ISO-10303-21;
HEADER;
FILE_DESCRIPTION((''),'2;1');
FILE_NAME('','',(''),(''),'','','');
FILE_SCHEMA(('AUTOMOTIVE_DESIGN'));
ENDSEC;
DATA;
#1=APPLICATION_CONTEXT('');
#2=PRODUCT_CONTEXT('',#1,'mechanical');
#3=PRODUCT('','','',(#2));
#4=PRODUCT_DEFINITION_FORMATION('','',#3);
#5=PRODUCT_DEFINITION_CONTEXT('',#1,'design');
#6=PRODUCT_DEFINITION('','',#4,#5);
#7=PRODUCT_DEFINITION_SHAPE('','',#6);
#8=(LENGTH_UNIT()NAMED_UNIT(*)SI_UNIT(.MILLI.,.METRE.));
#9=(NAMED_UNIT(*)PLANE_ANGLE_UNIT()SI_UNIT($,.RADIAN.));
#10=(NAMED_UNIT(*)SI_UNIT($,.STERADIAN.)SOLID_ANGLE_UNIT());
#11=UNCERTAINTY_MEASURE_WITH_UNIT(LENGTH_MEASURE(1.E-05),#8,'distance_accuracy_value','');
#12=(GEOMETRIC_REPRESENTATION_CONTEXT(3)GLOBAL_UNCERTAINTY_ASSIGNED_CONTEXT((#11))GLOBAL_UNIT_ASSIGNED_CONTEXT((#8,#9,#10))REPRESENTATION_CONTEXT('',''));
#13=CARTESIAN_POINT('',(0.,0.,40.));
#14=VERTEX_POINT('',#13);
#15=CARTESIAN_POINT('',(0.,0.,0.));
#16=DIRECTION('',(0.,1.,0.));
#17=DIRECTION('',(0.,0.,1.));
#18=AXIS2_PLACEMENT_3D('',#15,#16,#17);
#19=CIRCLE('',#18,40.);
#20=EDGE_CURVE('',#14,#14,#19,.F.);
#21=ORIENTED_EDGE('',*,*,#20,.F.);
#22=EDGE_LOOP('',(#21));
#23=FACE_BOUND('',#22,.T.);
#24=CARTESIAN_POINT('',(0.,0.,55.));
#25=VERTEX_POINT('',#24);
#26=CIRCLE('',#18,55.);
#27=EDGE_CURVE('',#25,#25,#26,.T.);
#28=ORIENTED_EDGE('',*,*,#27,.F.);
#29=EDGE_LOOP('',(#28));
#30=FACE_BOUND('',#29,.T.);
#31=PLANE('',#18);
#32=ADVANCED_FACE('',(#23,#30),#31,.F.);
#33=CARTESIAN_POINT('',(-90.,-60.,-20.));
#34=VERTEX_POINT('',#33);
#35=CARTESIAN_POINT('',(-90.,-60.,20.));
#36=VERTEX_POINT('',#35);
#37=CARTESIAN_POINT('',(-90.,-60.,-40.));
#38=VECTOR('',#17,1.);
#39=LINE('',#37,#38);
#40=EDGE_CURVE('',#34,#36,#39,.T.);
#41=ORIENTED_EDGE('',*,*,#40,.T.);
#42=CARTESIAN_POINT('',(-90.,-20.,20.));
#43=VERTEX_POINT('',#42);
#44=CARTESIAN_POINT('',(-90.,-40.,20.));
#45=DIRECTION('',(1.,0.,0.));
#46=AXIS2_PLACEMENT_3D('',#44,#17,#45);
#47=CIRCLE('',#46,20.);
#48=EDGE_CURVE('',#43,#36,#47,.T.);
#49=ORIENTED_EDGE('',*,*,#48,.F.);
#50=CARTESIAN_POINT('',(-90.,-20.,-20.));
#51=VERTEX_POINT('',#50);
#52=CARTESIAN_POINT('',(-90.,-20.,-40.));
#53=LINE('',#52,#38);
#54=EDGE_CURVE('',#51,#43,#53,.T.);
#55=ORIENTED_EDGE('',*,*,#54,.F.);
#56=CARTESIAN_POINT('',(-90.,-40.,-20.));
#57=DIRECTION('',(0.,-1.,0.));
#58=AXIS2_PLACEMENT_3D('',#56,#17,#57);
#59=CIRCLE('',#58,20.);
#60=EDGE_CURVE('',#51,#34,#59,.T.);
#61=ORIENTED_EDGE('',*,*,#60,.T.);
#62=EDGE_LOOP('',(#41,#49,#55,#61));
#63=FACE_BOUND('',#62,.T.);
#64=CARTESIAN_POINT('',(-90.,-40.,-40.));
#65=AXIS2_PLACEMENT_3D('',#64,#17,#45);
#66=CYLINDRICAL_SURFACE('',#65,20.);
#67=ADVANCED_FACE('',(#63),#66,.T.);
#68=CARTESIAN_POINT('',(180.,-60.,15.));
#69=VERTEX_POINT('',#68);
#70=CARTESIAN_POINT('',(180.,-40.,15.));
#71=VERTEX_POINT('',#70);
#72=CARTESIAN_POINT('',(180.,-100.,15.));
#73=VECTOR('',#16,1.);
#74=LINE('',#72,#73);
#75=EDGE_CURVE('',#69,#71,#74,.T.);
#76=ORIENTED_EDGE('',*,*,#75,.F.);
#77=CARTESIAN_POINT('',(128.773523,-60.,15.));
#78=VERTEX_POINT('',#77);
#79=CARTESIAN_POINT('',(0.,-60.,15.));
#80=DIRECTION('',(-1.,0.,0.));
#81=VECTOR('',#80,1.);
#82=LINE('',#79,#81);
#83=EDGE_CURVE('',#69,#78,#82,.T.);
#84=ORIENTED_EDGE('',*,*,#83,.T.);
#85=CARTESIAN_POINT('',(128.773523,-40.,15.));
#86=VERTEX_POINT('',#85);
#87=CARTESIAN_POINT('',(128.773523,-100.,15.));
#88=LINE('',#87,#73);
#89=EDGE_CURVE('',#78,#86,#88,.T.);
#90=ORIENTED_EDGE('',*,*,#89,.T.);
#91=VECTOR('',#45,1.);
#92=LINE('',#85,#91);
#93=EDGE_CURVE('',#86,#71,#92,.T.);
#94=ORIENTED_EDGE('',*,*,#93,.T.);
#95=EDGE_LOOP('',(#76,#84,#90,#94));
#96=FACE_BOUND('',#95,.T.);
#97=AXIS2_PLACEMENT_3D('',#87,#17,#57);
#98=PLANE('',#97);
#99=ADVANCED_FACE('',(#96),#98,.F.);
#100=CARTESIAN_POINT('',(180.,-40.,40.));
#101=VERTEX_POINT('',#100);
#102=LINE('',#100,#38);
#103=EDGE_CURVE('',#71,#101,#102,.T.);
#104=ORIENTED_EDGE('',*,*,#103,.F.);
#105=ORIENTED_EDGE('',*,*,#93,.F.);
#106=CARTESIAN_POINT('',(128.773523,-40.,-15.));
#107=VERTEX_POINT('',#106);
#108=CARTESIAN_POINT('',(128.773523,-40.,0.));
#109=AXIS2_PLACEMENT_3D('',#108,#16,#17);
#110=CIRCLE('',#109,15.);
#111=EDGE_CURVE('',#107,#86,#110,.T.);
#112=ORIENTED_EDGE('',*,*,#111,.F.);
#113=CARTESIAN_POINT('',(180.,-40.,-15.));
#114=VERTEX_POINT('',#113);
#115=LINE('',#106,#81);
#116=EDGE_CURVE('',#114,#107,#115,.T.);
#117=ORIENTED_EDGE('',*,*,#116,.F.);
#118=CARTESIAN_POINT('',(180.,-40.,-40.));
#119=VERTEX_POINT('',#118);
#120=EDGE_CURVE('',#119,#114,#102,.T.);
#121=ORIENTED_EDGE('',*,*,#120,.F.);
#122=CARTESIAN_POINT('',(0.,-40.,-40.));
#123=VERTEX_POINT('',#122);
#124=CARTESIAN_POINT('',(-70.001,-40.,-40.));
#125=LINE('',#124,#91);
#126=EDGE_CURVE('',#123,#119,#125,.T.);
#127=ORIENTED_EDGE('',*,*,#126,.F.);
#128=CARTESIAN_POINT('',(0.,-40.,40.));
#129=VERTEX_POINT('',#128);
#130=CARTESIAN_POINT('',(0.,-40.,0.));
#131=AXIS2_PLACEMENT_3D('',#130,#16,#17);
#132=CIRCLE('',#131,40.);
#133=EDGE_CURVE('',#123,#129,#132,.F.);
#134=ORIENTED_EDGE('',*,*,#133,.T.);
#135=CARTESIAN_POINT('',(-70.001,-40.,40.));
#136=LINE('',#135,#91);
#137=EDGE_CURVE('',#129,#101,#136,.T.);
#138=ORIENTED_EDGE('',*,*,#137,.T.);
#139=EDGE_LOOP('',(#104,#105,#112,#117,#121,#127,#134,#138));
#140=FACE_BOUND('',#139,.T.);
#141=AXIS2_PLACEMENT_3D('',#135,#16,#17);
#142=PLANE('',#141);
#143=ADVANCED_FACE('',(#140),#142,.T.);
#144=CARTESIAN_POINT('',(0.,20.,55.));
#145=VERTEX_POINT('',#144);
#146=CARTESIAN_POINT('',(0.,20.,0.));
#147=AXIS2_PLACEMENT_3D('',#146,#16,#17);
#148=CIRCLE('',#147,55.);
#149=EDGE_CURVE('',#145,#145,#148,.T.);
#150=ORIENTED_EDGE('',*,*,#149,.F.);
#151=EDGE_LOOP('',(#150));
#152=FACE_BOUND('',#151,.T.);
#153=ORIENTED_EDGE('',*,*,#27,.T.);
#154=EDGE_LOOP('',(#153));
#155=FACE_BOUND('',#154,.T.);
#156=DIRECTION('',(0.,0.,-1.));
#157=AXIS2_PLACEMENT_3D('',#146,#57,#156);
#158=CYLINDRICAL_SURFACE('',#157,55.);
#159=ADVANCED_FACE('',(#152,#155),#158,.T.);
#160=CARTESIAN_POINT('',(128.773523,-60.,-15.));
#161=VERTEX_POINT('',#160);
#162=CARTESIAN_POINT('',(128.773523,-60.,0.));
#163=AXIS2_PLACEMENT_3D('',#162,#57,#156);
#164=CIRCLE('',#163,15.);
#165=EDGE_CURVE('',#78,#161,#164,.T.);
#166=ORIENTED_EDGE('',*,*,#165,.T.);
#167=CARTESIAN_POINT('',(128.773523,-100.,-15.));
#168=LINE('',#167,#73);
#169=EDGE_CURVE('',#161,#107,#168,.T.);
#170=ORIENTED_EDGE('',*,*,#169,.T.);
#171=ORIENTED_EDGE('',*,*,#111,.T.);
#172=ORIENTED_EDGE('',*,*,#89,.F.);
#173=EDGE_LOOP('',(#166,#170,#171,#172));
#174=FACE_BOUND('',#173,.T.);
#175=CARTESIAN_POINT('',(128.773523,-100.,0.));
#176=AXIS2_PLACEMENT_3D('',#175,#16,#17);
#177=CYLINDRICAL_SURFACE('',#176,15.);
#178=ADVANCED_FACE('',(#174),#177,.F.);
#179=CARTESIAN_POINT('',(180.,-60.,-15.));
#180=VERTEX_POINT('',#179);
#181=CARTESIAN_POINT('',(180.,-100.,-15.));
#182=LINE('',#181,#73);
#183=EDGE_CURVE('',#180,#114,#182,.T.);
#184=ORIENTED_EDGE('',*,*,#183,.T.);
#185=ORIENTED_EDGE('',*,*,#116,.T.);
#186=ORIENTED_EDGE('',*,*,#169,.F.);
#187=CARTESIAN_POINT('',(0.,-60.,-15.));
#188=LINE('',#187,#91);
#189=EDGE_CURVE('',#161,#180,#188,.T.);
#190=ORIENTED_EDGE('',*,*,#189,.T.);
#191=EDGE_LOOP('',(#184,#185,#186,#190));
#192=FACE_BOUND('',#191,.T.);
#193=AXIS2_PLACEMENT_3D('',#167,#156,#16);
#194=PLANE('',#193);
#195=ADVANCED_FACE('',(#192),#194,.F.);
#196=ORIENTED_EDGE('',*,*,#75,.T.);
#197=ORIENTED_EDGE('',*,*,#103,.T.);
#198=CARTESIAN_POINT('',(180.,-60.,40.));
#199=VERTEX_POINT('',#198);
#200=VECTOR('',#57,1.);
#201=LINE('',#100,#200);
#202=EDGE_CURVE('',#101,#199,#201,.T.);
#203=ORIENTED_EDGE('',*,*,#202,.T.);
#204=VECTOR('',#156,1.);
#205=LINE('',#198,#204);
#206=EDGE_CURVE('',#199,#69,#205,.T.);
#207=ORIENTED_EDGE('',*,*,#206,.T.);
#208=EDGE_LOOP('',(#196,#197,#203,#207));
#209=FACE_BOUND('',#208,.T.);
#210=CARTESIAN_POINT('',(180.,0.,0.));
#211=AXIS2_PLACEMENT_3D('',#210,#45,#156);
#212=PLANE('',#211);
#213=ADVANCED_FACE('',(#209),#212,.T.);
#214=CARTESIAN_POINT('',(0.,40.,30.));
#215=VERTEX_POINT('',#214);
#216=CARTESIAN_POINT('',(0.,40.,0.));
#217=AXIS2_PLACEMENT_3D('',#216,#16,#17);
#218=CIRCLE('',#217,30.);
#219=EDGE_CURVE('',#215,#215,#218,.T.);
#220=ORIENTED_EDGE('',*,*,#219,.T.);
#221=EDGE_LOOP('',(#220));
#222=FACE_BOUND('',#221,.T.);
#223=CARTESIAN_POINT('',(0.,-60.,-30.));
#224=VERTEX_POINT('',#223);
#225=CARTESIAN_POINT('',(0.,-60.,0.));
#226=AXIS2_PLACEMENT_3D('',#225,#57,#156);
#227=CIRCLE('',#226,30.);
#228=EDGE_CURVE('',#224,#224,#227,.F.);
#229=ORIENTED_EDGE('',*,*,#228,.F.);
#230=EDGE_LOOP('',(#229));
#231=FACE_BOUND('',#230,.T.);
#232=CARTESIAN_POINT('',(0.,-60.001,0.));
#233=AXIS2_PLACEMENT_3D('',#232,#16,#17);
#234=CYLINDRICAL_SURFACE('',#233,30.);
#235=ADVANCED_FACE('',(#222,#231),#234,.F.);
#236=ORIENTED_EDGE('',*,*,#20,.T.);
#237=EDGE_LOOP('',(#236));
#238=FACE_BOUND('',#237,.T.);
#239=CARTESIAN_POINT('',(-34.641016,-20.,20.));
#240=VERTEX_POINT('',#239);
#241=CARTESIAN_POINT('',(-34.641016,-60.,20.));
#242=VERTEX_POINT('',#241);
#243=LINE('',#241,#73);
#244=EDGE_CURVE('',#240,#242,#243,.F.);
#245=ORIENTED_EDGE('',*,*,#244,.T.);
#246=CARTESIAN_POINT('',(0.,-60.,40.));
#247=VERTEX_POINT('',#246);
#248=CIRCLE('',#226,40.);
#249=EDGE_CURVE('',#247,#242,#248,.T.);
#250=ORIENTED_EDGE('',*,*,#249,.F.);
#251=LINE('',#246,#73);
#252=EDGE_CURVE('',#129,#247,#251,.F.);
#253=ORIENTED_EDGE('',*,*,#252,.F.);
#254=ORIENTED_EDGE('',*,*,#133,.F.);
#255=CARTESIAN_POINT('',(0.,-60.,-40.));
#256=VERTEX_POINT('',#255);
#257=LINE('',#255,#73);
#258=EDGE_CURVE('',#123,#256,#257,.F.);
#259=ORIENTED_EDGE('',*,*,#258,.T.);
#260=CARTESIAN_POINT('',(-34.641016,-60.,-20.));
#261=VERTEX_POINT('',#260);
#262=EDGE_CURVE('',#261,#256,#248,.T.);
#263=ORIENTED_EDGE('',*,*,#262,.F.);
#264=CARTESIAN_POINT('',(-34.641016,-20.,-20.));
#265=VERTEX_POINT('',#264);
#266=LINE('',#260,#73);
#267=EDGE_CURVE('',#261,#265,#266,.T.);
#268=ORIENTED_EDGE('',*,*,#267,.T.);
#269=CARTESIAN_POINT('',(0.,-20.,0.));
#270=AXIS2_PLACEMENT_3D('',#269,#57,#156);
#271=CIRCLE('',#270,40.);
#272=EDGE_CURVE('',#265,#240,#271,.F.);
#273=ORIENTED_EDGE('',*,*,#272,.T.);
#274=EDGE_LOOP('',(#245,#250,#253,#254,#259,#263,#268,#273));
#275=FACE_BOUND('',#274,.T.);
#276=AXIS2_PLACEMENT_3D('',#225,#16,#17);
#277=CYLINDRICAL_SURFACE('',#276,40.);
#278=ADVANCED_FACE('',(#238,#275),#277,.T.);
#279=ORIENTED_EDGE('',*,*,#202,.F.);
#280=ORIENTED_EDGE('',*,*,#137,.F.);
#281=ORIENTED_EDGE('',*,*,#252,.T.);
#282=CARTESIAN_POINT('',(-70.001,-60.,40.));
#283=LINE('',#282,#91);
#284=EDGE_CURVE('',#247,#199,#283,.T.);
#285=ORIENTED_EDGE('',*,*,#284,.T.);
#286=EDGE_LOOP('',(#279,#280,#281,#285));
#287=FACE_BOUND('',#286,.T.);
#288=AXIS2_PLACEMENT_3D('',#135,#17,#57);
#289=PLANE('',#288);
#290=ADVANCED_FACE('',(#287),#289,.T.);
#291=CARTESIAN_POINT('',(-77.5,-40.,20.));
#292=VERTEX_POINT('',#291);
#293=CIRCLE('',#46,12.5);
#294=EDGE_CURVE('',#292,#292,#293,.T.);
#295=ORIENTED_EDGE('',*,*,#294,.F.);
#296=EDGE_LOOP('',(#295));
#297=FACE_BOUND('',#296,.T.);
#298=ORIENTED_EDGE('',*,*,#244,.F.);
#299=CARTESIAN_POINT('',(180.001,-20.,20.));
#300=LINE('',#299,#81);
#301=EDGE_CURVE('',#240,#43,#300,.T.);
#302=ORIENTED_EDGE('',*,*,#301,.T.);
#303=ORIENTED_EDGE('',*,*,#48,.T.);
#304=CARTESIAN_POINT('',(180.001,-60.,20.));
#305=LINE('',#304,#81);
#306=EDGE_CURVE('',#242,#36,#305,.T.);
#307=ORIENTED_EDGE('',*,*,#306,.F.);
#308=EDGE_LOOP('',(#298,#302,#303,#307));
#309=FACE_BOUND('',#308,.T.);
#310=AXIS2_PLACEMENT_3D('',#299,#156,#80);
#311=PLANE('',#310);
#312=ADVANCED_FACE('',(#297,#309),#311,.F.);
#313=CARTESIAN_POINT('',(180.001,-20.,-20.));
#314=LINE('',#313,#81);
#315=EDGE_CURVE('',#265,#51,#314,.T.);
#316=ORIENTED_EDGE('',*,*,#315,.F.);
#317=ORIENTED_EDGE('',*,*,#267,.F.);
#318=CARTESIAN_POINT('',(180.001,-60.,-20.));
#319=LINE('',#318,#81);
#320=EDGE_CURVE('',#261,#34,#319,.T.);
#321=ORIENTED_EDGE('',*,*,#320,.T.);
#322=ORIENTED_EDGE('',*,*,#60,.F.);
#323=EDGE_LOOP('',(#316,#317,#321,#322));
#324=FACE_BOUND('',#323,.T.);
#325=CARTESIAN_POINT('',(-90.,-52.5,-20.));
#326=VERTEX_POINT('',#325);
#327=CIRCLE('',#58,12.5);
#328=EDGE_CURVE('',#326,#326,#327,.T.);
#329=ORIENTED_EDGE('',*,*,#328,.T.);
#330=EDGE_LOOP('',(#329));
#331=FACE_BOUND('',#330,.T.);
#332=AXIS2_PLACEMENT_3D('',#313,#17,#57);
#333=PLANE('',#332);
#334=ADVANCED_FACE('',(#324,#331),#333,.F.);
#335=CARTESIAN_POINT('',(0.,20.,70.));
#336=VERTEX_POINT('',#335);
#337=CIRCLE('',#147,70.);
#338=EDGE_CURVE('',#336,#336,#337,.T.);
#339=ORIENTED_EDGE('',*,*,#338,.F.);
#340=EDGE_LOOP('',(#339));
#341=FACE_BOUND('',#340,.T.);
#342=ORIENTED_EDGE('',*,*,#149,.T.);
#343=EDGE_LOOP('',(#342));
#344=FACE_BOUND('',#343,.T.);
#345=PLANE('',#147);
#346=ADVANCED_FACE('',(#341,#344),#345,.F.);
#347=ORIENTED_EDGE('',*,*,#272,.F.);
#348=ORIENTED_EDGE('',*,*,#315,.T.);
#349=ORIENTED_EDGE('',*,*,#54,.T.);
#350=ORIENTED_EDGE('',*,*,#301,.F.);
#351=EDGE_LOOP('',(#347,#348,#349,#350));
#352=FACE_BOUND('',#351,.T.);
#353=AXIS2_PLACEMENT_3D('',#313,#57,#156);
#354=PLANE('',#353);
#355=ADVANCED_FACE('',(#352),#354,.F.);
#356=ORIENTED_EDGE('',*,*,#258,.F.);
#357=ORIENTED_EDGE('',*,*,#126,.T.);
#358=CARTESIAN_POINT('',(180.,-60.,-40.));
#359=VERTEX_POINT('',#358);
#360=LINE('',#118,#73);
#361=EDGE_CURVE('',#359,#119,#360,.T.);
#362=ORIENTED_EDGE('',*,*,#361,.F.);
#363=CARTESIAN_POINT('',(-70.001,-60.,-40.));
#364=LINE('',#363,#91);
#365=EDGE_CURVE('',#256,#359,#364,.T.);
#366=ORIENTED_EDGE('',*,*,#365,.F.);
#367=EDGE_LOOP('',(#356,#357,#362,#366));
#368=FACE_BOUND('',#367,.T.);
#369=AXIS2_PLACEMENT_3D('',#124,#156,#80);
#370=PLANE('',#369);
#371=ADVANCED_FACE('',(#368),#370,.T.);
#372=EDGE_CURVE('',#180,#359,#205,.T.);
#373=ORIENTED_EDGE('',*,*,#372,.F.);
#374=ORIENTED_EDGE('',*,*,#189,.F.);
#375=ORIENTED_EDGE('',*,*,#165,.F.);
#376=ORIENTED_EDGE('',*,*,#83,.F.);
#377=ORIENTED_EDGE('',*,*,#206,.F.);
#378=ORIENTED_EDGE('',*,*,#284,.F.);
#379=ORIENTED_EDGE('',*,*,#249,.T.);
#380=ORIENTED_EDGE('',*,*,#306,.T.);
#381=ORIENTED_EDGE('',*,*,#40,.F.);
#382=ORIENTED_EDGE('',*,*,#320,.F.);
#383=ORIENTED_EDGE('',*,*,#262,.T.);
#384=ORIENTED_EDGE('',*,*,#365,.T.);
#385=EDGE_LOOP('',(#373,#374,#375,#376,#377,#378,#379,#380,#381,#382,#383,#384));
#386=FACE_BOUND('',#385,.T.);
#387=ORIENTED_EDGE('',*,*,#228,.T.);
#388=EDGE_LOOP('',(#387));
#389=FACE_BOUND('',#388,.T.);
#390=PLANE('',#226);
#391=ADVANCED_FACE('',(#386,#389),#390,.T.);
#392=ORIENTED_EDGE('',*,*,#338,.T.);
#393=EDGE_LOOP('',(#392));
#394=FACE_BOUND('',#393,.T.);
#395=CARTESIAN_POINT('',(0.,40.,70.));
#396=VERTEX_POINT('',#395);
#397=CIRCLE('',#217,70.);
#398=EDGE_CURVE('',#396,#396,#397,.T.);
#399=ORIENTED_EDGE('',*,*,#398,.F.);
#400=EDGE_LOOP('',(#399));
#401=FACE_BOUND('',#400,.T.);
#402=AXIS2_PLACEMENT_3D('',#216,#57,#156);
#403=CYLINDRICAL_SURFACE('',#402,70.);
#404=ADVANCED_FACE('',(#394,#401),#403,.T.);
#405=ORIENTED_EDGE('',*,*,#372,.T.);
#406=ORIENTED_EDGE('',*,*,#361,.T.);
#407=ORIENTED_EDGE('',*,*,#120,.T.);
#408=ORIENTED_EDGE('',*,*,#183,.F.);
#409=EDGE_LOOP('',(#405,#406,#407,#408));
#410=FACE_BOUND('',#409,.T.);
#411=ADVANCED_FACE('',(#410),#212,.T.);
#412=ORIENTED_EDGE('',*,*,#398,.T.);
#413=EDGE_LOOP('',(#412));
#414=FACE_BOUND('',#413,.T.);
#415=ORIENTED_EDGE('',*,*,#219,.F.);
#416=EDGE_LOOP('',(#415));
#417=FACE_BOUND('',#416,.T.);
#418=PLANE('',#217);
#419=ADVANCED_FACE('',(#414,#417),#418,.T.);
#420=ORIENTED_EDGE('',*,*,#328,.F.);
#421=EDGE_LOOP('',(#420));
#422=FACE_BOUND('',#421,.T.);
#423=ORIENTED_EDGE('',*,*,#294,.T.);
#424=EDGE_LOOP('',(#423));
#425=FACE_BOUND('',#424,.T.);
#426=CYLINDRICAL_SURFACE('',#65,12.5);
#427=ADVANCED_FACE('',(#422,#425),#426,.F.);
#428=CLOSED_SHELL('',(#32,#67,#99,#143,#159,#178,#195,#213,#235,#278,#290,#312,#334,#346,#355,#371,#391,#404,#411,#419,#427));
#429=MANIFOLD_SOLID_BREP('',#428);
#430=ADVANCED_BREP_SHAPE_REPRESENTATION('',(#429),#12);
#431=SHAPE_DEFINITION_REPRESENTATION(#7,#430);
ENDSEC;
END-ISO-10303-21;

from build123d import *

# Parameters (mm, degrees)
SKETCH1_R           = 55
BOSS_EXTRUDE1_DEPTH = 20
SKETCH2_R           = 70
BOSS_EXTRUDE2_DEPTH = 20
SKETCH3_R           = 40
BOSS_EXTRUDE3_DEPTH = 60
CUT_EXTRUDE1_REACH  = 102
SKETCH4_R           = 30
BOSS_EXTRUDE4_REACH = 252
SKETCH6_W           = 80
SKETCH6_H           = 20
CUT_EXTRUDE2_DEPTH  = 60
BOSS_EXTRUDE5_REACH = 292
SKETCH10_W          = 40
SKETCH10_H          = 40
CUT_EXTRUDE3_DEPTH  = 60
SKETCH12_R          = 12.5
CUT_EXTRUDE4_DEPTH  = 60


with BuildPart() as part:
    # Sketch1 → Boss-Extrude1 (new body)
    with BuildSketch(Plane(origin=(0, 0, 0), x_dir=(1, 0, 0), z_dir=(0, 1, 0))):
        Circle(SKETCH1_R)
    extrude(amount=BOSS_EXTRUDE1_DEPTH)

    # Sketch2 → Boss-Extrude2 (add)
    with BuildSketch(Plane(origin=(0, 20, 0), x_dir=(1, 0, 0), z_dir=(0, 1, 0))):
        Circle(SKETCH2_R)
    extrude(amount=BOSS_EXTRUDE2_DEPTH)

    # Sketch3 → Boss-Extrude3 (add)
    with BuildSketch(Plane.XZ):
        Circle(SKETCH3_R)
    extrude(amount=BOSS_EXTRUDE3_DEPTH)

    # Sketch4 → Cut-Extrude1 (cut, up to next)
    with BuildSketch(Plane(origin=(0, 40, 0), x_dir=(1, 0, 0), z_dir=(0, 1, 0)), mode=Mode.PRIVATE) as cut_extrude1_sk1:
        Circle(SKETCH4_R)
    cut_extrude1_tool1 = extrude(cut_extrude1_sk1.sketch, amount=-CUT_EXTRUDE1_REACH, mode=Mode.PRIVATE) & part.part
    add(cut_extrude1_tool1.solids().sort_by_distance((0, 40, 0))[0], mode=Mode.SUBTRACT)

    # Sketch6 → Boss-Extrude4 (add, up to next)
    with BuildSketch(Plane(origin=(180, 0, 0), x_dir=(0, 0, -1), z_dir=(1, 0, 0)), mode=Mode.PRIVATE) as boss_extrude4_sk1:
        with Locations((0, -50)):
            Rectangle(SKETCH6_W, SKETCH6_H)
    boss_extrude4_tool1 = extrude(boss_extrude4_sk1.sketch, amount=-BOSS_EXTRUDE4_REACH, mode=Mode.PRIVATE) - part.part
    add(boss_extrude4_tool1.solids().sort_by_distance((180, -50, 0))[0])

    # Sketch8 → Cut-Extrude2 (cut)
    with BuildSketch(Plane(origin=(0, -40, 0), x_dir=(1, 0, 0), z_dir=(0, 1, 0))):
        with BuildLine():
            Line((180, 15), (180, -15))
            Line((180, -15), (128.7735226, -15))
            ThreePointArc((128.7735226, -15), (113.7735226, 0), (128.7735226, 15))
            Line((128.7735226, 15), (180, 15))
        make_face()
    extrude(amount=-CUT_EXTRUDE2_DEPTH, mode=Mode.SUBTRACT)

    # Sketch10 → Boss-Extrude5 (add, up to next)
    with BuildSketch(Plane(origin=(-110, 0, 0), x_dir=(0, 0, -1), z_dir=(1, 0, 0)), mode=Mode.PRIVATE) as boss_extrude5_sk1:
        with Locations((0, -40)):
            Rectangle(SKETCH10_W, SKETCH10_H)
    boss_extrude5_tool1 = extrude(boss_extrude5_sk1.sketch, amount=BOSS_EXTRUDE5_REACH, mode=Mode.PRIVATE) - part.part
    add(boss_extrude5_tool1.solids().sort_by_distance((-110, -40, 0))[0])

    # Sketch11 → Cut-Extrude3 (cut)
    with BuildSketch(Plane.XY.offset(20)):
        with BuildLine():
            ThreePointArc((-110, -40), (-104.142135624, -25.857864376), (-90, -20))
            Line((-90, -20), (-110, -20))
            Line((-110, -20), (-110, -40))
        make_face()
        with BuildLine():
            ThreePointArc((-90, -60), (-104.142135624, -54.142135624), (-110, -40))
            Line((-110, -40), (-110, -60))
            Line((-110, -60), (-90, -60))
        make_face()
    extrude(amount=-CUT_EXTRUDE3_DEPTH, mode=Mode.SUBTRACT)

    # Sketch12 → Cut-Extrude4 (cut)
    with BuildSketch(Plane.XY.offset(20)):
        with Locations((-90, -40)):
            Circle(SKETCH12_R)
    extrude(amount=-CUT_EXTRUDE4_DEPTH, mode=Mode.SUBTRACT)


solid = part.part
